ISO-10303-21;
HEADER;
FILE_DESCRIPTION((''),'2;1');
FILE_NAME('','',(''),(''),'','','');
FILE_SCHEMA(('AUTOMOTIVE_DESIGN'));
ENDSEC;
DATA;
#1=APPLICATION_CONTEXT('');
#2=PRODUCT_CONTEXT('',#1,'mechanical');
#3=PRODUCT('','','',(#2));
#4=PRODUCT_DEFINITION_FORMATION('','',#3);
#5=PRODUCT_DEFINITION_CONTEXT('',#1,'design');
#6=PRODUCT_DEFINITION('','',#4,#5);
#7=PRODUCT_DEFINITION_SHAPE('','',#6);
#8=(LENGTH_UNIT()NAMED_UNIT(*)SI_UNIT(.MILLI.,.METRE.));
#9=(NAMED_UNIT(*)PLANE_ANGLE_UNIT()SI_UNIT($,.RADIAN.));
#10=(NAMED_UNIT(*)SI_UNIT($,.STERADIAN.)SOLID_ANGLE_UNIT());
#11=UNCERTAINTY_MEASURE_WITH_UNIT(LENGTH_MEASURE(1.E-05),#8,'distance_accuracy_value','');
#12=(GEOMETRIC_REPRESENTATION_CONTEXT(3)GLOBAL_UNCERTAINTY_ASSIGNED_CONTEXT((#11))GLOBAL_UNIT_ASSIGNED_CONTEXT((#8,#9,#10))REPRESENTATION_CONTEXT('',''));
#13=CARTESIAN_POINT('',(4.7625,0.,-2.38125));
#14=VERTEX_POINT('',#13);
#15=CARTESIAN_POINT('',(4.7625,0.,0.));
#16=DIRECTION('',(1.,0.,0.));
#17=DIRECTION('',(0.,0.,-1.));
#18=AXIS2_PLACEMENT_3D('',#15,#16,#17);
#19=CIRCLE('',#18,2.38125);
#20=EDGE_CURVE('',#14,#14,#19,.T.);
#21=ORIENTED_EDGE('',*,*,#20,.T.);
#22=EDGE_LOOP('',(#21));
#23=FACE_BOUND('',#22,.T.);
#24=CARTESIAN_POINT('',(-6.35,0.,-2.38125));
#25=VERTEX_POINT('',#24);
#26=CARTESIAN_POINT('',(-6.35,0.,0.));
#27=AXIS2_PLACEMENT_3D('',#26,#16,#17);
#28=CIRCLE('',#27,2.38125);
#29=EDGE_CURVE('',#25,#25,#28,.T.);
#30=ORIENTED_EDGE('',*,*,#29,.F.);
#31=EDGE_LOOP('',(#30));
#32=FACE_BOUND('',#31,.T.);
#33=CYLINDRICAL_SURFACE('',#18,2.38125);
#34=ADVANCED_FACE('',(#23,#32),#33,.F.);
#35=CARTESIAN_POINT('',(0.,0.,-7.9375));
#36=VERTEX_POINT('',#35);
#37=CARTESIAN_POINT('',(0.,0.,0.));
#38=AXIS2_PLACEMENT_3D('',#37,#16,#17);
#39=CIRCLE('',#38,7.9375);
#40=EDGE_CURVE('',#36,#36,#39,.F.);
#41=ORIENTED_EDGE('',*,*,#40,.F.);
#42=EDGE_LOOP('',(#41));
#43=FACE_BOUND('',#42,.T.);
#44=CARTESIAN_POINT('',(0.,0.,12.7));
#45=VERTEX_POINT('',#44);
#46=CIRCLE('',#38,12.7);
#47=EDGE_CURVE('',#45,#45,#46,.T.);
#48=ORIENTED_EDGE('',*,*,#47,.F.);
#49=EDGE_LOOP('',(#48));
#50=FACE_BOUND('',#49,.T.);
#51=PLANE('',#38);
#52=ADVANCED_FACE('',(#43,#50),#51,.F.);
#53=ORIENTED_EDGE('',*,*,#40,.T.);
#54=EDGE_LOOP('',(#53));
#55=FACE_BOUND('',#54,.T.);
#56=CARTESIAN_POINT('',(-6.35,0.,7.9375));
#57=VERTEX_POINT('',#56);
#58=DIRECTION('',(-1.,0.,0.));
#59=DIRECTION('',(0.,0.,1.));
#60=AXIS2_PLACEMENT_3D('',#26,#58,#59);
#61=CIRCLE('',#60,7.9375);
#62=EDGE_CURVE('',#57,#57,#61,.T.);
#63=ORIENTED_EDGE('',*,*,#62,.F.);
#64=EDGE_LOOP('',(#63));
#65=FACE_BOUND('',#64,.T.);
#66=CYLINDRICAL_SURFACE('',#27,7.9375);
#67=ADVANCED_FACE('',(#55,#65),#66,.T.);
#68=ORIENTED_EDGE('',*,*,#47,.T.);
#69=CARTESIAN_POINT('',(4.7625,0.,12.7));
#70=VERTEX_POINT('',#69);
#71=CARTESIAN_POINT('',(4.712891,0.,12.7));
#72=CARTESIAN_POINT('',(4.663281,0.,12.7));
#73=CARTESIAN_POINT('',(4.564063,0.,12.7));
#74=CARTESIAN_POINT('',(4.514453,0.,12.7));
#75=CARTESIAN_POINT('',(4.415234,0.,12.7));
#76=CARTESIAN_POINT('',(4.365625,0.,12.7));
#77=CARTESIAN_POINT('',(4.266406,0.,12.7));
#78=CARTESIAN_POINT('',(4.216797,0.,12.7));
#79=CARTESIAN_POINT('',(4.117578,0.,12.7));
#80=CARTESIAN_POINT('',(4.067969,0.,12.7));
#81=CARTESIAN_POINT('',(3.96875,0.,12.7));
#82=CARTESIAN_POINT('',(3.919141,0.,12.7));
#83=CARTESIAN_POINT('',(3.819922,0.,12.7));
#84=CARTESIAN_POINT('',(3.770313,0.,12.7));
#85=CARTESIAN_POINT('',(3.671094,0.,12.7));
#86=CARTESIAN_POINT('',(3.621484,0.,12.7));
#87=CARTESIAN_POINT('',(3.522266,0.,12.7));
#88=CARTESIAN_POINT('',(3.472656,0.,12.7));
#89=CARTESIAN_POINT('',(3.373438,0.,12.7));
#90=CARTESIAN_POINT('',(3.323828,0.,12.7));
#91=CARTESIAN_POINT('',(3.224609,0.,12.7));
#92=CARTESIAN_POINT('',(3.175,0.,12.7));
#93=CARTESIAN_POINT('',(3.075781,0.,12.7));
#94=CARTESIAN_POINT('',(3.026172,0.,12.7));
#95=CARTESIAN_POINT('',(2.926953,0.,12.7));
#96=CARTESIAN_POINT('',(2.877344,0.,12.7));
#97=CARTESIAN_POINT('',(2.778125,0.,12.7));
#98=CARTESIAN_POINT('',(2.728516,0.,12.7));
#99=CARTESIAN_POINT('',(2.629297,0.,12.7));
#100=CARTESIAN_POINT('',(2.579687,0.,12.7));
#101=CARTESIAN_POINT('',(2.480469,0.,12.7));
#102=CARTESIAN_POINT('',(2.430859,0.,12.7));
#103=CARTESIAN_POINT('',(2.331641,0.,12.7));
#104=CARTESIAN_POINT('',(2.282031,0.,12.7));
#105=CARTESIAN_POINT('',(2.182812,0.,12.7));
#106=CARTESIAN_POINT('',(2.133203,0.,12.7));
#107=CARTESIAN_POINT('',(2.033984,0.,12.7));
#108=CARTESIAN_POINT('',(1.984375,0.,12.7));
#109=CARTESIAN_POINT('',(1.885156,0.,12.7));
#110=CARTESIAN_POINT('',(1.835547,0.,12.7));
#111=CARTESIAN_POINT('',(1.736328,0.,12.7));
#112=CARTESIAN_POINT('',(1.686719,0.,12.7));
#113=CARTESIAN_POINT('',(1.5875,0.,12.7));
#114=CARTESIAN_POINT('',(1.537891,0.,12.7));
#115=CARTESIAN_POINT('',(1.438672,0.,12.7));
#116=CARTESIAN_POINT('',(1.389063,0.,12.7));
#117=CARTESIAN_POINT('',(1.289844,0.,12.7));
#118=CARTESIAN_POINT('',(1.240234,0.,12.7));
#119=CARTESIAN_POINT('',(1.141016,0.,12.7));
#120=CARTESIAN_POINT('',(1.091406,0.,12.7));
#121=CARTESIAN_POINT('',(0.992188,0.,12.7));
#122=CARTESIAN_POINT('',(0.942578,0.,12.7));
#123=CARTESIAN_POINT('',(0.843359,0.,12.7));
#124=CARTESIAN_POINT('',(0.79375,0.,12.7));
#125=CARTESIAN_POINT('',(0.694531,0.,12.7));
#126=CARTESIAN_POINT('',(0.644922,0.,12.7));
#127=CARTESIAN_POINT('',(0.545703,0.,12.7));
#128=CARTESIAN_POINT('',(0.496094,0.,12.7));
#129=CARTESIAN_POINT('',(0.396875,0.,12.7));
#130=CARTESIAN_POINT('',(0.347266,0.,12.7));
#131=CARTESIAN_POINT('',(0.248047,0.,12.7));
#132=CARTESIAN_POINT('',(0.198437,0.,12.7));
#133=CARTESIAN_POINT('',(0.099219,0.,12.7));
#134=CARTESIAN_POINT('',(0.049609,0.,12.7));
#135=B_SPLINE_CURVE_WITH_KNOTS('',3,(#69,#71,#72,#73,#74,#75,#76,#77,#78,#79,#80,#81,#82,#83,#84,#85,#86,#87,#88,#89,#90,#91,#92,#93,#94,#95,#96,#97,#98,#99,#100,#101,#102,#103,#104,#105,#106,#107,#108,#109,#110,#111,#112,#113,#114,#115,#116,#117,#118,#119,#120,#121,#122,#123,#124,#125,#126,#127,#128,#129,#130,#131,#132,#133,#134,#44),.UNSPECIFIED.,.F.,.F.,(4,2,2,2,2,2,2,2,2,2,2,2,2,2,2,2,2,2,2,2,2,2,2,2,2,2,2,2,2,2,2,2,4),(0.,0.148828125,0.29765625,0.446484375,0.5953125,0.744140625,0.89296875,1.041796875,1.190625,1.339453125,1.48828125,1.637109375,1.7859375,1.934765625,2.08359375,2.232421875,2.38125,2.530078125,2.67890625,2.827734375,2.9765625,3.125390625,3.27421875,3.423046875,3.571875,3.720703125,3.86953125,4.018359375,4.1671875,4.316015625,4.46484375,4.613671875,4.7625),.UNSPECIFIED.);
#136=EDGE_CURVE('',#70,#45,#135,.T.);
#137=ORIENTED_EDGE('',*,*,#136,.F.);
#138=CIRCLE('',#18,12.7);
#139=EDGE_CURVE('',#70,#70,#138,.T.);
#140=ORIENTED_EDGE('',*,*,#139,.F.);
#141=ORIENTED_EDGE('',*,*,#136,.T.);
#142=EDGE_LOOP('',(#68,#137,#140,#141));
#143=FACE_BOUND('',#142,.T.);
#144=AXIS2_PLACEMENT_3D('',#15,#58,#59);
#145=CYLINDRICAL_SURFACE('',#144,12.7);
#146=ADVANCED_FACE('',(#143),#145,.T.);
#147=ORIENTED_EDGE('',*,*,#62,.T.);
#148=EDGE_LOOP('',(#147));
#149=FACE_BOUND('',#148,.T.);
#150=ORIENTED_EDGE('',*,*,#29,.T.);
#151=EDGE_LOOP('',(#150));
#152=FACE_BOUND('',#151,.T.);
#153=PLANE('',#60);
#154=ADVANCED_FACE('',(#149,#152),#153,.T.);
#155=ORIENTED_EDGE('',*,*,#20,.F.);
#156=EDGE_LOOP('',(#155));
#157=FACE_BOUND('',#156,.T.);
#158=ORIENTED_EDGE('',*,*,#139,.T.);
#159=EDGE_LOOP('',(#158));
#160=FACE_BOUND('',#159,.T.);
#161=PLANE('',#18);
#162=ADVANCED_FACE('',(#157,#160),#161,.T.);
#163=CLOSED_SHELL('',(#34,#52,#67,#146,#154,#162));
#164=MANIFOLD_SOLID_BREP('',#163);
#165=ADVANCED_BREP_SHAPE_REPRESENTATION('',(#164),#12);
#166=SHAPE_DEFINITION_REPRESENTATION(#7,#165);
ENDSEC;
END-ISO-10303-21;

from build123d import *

# Parameters (mm, degrees)
SKETCH1_R             = 12.7
BOSS_EXTRUDE1_DEPTH   = 4.7625
SKETCH2_R             = 7.9375
BOSS_EXTRUDE2_DEPTH   = 6.35
F_4_CLEARANCE_HOLE1_D = 4.7625


with BuildPart() as part:
    # Sketch1 → Boss-Extrude1 (new body)
    with BuildSketch(Plane(origin=(0, 0, 0), x_dir=(0, 0, -1), z_dir=(1, 0, 0))):
        with Locations(Location((0, 0, 0), (0, 0, 180))):
            Circle(SKETCH1_R)
    extrude(amount=BOSS_EXTRUDE1_DEPTH)

    # Sketch2 → Boss-Extrude2 (add)
    with BuildSketch(Plane.ZY):
        with Locations(Location((0, 0, 0), (0, 0, 180))):
            Circle(SKETCH2_R)
    extrude(amount=BOSS_EXTRUDE2_DEPTH)

    # #4 Clearance Hole1 (through all)
    with Locations(Plane(origin=(4.7625, 0, 0), x_dir=(0, 0, -1), z_dir=(1, 0, 0))):
        with Locations((0, 0)):
            Hole(F_4_CLEARANCE_HOLE1_D / 2)


solid = part.part
